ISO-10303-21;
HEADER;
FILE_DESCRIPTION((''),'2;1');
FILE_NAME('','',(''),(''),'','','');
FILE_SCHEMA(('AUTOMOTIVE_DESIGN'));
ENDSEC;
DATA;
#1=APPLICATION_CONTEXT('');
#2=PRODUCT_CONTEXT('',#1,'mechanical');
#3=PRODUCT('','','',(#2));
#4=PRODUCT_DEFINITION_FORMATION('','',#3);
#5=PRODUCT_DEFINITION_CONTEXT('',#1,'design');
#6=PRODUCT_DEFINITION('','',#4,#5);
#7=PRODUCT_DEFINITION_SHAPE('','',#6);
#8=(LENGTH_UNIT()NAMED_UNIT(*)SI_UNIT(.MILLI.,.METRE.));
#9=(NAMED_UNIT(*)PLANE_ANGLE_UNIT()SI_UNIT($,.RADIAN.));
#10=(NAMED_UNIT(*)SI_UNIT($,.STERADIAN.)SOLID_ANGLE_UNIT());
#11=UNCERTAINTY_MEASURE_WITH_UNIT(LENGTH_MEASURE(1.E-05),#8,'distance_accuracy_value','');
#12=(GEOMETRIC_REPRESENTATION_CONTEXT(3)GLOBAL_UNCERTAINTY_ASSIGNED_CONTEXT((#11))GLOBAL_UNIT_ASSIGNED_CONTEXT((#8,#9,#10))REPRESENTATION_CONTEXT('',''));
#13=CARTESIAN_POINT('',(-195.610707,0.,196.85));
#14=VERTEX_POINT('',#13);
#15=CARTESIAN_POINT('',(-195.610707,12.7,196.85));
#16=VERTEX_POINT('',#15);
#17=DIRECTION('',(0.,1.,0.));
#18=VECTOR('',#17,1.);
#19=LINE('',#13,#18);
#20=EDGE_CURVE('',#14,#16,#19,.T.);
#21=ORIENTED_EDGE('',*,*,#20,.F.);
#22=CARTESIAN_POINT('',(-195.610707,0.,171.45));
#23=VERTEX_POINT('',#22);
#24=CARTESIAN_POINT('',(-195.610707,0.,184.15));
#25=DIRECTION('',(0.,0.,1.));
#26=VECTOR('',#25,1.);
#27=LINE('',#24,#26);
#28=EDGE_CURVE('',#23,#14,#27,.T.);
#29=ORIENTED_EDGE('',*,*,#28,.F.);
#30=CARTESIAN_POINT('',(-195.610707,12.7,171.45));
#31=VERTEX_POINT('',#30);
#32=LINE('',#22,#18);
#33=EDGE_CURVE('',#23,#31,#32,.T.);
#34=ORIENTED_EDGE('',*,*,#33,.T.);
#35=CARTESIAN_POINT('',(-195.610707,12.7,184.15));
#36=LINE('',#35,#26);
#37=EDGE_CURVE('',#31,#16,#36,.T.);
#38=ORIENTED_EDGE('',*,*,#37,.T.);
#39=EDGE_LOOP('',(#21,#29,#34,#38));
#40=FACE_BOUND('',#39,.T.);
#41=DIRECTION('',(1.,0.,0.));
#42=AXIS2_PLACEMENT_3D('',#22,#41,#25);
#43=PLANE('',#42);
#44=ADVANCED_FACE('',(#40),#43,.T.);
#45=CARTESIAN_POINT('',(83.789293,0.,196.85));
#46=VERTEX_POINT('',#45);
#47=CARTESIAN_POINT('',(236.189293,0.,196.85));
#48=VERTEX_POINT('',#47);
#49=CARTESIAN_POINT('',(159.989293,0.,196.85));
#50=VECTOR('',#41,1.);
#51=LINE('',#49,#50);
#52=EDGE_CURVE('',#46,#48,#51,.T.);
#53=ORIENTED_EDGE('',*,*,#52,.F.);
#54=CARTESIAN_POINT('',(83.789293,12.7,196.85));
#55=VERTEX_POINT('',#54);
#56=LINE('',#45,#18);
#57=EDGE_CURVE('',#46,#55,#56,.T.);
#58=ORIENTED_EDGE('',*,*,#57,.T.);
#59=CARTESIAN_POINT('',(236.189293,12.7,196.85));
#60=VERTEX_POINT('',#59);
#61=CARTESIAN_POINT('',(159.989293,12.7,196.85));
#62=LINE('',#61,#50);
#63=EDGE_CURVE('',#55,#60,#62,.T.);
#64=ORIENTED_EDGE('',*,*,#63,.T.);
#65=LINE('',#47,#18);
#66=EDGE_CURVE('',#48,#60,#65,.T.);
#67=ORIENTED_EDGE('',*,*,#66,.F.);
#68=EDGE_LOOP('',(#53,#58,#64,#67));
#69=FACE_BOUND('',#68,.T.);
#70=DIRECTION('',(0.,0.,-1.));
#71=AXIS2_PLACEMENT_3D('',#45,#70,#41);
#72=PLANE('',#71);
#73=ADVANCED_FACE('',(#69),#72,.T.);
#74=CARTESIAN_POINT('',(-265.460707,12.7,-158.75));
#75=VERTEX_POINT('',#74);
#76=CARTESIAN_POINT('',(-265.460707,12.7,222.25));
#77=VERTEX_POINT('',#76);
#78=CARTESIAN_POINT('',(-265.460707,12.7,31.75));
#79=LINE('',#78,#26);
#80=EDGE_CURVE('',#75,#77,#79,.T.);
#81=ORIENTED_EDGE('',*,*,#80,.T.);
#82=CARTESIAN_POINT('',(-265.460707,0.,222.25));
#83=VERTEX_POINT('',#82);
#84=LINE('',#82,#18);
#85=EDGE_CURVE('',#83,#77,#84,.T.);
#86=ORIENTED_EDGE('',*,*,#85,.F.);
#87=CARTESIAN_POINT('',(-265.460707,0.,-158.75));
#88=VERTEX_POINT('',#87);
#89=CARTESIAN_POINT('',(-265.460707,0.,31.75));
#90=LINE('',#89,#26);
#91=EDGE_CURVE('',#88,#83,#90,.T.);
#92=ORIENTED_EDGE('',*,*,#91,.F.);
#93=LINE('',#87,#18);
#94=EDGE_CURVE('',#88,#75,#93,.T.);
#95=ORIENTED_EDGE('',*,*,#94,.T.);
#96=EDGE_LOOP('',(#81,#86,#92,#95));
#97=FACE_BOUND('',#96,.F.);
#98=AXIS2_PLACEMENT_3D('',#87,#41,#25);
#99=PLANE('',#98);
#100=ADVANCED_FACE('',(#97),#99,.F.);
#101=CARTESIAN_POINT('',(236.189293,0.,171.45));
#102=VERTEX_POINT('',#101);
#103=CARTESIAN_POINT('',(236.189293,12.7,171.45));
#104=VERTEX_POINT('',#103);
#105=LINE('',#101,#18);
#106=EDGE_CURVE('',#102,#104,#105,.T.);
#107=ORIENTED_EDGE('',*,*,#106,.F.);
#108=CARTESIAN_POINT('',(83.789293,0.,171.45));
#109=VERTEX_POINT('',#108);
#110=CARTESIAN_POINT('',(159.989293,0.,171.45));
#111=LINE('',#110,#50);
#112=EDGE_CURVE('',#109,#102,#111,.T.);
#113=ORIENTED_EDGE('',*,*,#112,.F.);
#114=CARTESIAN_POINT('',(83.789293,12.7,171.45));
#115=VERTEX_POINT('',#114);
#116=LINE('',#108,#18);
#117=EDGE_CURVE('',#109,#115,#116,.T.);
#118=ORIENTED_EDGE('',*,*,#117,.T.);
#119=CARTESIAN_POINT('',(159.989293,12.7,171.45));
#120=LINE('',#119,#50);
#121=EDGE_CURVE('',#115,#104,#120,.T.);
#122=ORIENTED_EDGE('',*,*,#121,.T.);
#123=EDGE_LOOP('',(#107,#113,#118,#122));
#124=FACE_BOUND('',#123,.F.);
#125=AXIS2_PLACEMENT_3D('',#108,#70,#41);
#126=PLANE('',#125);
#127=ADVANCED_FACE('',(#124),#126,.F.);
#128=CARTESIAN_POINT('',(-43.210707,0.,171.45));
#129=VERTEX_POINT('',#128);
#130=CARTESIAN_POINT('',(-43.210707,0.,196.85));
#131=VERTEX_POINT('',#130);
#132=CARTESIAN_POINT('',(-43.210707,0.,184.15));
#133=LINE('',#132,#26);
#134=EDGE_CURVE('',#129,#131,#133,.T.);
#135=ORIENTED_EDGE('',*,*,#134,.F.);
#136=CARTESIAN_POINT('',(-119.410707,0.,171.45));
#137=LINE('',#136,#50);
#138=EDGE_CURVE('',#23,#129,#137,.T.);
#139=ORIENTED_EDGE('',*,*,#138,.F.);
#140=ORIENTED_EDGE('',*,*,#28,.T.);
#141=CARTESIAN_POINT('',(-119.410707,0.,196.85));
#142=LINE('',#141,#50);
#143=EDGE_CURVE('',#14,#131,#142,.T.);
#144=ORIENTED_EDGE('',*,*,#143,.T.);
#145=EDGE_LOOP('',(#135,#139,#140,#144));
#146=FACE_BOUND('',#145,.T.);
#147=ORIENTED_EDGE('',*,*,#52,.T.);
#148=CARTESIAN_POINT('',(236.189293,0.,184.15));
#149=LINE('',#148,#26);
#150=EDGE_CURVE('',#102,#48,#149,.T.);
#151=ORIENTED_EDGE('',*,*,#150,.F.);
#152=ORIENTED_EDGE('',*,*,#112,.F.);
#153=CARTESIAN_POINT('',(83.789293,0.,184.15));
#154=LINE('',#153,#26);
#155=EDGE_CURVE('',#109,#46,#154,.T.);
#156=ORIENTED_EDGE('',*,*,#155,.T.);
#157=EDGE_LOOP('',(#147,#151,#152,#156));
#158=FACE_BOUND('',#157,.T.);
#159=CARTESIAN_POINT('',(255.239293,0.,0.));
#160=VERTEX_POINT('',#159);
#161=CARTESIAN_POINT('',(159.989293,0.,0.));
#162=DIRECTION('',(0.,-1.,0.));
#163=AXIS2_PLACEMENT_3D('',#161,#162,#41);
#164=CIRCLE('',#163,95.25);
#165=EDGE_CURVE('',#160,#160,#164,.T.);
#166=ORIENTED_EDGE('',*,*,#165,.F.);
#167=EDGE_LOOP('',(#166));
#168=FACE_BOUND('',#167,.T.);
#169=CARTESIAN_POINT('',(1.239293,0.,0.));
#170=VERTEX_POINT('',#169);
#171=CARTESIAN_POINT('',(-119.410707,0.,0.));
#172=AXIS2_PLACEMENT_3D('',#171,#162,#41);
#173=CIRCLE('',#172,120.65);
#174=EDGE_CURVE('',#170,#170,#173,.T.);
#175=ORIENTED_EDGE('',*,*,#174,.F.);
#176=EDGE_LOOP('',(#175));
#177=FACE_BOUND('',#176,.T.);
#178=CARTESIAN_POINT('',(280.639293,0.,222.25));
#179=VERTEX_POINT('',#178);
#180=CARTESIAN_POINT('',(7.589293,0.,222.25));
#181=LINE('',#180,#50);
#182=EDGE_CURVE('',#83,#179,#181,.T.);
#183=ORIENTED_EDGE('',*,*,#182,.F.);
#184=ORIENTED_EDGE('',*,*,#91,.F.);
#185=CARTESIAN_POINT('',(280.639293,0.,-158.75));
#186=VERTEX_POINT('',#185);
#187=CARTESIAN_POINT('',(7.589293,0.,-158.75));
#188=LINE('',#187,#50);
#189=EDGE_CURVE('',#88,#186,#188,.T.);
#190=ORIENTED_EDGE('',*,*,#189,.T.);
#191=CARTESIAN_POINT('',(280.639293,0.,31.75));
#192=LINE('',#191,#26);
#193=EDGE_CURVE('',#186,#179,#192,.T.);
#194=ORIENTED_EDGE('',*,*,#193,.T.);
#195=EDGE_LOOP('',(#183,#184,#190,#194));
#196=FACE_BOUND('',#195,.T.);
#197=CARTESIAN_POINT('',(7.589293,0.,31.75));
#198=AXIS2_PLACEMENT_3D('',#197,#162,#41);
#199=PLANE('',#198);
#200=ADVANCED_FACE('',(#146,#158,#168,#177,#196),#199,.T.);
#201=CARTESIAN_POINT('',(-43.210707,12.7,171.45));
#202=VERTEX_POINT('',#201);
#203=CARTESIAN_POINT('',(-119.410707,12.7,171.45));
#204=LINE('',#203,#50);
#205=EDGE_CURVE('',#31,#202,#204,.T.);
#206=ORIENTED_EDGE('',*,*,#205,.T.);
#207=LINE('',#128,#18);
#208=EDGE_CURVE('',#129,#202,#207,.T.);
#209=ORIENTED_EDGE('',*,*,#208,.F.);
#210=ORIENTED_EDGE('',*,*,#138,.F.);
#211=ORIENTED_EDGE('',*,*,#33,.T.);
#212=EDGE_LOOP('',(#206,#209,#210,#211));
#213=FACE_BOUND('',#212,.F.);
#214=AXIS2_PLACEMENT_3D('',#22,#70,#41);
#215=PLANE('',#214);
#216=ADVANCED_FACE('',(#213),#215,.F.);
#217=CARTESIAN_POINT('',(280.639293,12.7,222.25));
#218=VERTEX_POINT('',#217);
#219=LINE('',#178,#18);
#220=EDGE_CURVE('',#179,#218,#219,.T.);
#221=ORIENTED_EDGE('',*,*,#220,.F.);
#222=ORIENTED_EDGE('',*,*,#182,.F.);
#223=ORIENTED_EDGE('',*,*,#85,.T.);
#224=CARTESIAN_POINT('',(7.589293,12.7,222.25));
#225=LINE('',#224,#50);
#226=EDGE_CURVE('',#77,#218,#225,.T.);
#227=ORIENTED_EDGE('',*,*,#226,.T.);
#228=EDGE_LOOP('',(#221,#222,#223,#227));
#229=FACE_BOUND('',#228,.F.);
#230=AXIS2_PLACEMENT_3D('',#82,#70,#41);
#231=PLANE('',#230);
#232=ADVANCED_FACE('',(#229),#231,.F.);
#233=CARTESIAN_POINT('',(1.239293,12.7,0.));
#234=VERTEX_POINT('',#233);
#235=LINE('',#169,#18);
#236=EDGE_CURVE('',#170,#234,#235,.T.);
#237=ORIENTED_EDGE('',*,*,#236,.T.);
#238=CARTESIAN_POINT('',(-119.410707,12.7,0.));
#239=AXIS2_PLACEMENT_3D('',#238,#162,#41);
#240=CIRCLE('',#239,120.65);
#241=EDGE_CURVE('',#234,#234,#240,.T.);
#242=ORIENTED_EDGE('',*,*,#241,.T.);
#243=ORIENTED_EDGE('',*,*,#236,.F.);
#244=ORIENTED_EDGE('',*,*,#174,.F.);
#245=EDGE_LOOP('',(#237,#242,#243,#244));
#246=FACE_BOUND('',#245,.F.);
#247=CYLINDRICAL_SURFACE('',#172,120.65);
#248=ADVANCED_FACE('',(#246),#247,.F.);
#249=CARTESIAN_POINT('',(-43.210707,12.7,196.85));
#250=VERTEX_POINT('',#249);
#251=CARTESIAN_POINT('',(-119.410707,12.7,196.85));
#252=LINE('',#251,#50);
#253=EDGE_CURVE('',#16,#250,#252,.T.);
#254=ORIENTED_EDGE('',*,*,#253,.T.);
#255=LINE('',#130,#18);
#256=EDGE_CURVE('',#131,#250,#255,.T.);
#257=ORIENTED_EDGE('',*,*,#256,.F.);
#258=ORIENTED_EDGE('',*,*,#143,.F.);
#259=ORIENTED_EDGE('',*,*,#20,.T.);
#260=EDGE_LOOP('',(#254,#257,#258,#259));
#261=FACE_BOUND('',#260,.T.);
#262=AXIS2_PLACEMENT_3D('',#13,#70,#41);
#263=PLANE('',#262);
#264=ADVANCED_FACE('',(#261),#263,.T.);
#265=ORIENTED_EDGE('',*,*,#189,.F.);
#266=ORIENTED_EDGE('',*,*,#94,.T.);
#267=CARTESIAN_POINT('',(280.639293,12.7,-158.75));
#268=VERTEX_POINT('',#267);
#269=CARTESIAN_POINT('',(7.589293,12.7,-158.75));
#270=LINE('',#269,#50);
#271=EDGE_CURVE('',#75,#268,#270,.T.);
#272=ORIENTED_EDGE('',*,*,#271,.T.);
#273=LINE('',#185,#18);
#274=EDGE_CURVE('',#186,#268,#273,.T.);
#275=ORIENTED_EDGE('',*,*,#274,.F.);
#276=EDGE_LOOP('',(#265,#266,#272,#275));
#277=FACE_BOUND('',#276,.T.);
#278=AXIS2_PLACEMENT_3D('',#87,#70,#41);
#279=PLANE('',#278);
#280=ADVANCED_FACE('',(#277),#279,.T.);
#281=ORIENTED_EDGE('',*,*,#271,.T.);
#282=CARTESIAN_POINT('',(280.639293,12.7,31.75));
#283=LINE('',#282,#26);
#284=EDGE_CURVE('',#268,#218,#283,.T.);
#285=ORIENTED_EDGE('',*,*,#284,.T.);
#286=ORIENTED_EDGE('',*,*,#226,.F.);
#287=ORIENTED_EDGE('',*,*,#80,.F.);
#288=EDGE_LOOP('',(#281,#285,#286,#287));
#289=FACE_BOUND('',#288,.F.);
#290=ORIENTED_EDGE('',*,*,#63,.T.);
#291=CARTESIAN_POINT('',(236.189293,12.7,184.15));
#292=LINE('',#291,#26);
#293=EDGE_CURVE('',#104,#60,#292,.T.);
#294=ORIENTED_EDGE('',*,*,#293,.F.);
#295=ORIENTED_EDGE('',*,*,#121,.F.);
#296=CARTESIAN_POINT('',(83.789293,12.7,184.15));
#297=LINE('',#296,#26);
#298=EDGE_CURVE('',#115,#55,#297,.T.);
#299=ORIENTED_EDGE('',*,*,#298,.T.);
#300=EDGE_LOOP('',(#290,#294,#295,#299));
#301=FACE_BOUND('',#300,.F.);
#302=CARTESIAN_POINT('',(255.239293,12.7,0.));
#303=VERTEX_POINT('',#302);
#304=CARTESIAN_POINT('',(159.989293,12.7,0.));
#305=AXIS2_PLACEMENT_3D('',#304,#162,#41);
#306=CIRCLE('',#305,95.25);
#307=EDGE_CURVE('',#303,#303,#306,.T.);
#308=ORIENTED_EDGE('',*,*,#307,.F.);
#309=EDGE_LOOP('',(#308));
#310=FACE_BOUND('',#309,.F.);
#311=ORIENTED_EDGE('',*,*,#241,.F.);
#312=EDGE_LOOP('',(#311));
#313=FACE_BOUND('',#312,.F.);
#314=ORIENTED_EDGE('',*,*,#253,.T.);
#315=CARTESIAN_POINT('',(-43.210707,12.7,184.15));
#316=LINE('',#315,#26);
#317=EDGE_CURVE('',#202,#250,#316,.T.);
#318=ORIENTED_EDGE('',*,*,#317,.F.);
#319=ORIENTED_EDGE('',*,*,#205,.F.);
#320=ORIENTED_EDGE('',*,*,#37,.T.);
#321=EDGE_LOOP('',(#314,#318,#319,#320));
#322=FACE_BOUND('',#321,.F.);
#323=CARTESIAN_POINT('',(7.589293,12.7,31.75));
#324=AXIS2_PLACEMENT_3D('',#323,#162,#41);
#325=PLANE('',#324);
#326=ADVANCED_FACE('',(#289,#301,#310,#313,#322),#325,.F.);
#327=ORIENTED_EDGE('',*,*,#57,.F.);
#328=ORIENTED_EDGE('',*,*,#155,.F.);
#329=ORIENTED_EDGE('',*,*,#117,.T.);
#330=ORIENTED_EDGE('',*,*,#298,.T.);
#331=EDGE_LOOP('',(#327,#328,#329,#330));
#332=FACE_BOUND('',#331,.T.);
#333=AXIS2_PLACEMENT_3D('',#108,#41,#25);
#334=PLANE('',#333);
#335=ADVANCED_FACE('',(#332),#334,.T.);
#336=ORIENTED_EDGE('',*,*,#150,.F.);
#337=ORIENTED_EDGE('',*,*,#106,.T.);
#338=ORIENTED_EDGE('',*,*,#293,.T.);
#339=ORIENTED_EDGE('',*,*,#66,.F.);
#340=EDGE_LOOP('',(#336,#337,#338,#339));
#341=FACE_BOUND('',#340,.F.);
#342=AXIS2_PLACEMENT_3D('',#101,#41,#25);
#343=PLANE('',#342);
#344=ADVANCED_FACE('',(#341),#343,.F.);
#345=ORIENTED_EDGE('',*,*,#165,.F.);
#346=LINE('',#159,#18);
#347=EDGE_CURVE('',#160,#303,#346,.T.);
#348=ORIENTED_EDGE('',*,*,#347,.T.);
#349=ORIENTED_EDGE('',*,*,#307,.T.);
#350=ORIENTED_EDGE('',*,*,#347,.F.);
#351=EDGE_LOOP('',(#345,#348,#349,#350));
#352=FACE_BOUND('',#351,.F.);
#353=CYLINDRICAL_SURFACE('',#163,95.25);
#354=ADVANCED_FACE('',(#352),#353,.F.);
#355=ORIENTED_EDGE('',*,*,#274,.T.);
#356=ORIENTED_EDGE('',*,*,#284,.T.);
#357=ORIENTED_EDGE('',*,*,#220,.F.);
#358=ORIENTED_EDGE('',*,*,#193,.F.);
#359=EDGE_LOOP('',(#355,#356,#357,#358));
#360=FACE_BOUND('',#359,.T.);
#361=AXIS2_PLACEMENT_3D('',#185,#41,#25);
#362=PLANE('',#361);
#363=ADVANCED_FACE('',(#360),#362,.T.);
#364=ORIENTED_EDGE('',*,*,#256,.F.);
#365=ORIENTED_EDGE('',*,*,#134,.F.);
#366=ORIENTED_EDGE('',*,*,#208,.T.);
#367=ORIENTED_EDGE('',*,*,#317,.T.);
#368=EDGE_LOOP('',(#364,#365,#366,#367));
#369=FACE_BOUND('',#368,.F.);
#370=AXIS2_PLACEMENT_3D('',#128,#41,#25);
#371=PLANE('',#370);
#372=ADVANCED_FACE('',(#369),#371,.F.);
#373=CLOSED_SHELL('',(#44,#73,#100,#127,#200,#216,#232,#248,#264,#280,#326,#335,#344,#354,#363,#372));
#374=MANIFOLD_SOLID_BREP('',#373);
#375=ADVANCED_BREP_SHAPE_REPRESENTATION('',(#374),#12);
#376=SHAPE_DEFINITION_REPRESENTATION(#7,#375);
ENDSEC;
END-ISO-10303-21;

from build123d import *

# Parameters (mm, degrees)
F0_W     = 546.1
F0_H     = 381
F0_R     = 120.65
F0_R_2   = 95.25
F0_W_2   = 152.4
F0_H_2   = 25.4
F1_DEPTH = 12.7


with BuildPart() as f1:
    # F0 (on Front) → F1 (new body)
    with BuildSketch(Plane.XZ):
        with Locations((7.589293, 31.75)):
            Rectangle(F0_W, F0_H)
        with Locations((-119.410707, 0)):
            Circle(F0_R, mode=Mode.SUBTRACT)
        with Locations((159.989293, 0)):
            Circle(F0_R_2, mode=Mode.SUBTRACT)
        with Locations((-119.410707, 184.15)):
            Rectangle(F0_W_2, F0_H_2, mode=Mode.SUBTRACT)
        with Locations((159.989293, 184.15)):
            Rectangle(F0_W_2, F0_H_2, mode=Mode.SUBTRACT)
    extrude(amount=-F1_DEPTH)


solid = f1.part
